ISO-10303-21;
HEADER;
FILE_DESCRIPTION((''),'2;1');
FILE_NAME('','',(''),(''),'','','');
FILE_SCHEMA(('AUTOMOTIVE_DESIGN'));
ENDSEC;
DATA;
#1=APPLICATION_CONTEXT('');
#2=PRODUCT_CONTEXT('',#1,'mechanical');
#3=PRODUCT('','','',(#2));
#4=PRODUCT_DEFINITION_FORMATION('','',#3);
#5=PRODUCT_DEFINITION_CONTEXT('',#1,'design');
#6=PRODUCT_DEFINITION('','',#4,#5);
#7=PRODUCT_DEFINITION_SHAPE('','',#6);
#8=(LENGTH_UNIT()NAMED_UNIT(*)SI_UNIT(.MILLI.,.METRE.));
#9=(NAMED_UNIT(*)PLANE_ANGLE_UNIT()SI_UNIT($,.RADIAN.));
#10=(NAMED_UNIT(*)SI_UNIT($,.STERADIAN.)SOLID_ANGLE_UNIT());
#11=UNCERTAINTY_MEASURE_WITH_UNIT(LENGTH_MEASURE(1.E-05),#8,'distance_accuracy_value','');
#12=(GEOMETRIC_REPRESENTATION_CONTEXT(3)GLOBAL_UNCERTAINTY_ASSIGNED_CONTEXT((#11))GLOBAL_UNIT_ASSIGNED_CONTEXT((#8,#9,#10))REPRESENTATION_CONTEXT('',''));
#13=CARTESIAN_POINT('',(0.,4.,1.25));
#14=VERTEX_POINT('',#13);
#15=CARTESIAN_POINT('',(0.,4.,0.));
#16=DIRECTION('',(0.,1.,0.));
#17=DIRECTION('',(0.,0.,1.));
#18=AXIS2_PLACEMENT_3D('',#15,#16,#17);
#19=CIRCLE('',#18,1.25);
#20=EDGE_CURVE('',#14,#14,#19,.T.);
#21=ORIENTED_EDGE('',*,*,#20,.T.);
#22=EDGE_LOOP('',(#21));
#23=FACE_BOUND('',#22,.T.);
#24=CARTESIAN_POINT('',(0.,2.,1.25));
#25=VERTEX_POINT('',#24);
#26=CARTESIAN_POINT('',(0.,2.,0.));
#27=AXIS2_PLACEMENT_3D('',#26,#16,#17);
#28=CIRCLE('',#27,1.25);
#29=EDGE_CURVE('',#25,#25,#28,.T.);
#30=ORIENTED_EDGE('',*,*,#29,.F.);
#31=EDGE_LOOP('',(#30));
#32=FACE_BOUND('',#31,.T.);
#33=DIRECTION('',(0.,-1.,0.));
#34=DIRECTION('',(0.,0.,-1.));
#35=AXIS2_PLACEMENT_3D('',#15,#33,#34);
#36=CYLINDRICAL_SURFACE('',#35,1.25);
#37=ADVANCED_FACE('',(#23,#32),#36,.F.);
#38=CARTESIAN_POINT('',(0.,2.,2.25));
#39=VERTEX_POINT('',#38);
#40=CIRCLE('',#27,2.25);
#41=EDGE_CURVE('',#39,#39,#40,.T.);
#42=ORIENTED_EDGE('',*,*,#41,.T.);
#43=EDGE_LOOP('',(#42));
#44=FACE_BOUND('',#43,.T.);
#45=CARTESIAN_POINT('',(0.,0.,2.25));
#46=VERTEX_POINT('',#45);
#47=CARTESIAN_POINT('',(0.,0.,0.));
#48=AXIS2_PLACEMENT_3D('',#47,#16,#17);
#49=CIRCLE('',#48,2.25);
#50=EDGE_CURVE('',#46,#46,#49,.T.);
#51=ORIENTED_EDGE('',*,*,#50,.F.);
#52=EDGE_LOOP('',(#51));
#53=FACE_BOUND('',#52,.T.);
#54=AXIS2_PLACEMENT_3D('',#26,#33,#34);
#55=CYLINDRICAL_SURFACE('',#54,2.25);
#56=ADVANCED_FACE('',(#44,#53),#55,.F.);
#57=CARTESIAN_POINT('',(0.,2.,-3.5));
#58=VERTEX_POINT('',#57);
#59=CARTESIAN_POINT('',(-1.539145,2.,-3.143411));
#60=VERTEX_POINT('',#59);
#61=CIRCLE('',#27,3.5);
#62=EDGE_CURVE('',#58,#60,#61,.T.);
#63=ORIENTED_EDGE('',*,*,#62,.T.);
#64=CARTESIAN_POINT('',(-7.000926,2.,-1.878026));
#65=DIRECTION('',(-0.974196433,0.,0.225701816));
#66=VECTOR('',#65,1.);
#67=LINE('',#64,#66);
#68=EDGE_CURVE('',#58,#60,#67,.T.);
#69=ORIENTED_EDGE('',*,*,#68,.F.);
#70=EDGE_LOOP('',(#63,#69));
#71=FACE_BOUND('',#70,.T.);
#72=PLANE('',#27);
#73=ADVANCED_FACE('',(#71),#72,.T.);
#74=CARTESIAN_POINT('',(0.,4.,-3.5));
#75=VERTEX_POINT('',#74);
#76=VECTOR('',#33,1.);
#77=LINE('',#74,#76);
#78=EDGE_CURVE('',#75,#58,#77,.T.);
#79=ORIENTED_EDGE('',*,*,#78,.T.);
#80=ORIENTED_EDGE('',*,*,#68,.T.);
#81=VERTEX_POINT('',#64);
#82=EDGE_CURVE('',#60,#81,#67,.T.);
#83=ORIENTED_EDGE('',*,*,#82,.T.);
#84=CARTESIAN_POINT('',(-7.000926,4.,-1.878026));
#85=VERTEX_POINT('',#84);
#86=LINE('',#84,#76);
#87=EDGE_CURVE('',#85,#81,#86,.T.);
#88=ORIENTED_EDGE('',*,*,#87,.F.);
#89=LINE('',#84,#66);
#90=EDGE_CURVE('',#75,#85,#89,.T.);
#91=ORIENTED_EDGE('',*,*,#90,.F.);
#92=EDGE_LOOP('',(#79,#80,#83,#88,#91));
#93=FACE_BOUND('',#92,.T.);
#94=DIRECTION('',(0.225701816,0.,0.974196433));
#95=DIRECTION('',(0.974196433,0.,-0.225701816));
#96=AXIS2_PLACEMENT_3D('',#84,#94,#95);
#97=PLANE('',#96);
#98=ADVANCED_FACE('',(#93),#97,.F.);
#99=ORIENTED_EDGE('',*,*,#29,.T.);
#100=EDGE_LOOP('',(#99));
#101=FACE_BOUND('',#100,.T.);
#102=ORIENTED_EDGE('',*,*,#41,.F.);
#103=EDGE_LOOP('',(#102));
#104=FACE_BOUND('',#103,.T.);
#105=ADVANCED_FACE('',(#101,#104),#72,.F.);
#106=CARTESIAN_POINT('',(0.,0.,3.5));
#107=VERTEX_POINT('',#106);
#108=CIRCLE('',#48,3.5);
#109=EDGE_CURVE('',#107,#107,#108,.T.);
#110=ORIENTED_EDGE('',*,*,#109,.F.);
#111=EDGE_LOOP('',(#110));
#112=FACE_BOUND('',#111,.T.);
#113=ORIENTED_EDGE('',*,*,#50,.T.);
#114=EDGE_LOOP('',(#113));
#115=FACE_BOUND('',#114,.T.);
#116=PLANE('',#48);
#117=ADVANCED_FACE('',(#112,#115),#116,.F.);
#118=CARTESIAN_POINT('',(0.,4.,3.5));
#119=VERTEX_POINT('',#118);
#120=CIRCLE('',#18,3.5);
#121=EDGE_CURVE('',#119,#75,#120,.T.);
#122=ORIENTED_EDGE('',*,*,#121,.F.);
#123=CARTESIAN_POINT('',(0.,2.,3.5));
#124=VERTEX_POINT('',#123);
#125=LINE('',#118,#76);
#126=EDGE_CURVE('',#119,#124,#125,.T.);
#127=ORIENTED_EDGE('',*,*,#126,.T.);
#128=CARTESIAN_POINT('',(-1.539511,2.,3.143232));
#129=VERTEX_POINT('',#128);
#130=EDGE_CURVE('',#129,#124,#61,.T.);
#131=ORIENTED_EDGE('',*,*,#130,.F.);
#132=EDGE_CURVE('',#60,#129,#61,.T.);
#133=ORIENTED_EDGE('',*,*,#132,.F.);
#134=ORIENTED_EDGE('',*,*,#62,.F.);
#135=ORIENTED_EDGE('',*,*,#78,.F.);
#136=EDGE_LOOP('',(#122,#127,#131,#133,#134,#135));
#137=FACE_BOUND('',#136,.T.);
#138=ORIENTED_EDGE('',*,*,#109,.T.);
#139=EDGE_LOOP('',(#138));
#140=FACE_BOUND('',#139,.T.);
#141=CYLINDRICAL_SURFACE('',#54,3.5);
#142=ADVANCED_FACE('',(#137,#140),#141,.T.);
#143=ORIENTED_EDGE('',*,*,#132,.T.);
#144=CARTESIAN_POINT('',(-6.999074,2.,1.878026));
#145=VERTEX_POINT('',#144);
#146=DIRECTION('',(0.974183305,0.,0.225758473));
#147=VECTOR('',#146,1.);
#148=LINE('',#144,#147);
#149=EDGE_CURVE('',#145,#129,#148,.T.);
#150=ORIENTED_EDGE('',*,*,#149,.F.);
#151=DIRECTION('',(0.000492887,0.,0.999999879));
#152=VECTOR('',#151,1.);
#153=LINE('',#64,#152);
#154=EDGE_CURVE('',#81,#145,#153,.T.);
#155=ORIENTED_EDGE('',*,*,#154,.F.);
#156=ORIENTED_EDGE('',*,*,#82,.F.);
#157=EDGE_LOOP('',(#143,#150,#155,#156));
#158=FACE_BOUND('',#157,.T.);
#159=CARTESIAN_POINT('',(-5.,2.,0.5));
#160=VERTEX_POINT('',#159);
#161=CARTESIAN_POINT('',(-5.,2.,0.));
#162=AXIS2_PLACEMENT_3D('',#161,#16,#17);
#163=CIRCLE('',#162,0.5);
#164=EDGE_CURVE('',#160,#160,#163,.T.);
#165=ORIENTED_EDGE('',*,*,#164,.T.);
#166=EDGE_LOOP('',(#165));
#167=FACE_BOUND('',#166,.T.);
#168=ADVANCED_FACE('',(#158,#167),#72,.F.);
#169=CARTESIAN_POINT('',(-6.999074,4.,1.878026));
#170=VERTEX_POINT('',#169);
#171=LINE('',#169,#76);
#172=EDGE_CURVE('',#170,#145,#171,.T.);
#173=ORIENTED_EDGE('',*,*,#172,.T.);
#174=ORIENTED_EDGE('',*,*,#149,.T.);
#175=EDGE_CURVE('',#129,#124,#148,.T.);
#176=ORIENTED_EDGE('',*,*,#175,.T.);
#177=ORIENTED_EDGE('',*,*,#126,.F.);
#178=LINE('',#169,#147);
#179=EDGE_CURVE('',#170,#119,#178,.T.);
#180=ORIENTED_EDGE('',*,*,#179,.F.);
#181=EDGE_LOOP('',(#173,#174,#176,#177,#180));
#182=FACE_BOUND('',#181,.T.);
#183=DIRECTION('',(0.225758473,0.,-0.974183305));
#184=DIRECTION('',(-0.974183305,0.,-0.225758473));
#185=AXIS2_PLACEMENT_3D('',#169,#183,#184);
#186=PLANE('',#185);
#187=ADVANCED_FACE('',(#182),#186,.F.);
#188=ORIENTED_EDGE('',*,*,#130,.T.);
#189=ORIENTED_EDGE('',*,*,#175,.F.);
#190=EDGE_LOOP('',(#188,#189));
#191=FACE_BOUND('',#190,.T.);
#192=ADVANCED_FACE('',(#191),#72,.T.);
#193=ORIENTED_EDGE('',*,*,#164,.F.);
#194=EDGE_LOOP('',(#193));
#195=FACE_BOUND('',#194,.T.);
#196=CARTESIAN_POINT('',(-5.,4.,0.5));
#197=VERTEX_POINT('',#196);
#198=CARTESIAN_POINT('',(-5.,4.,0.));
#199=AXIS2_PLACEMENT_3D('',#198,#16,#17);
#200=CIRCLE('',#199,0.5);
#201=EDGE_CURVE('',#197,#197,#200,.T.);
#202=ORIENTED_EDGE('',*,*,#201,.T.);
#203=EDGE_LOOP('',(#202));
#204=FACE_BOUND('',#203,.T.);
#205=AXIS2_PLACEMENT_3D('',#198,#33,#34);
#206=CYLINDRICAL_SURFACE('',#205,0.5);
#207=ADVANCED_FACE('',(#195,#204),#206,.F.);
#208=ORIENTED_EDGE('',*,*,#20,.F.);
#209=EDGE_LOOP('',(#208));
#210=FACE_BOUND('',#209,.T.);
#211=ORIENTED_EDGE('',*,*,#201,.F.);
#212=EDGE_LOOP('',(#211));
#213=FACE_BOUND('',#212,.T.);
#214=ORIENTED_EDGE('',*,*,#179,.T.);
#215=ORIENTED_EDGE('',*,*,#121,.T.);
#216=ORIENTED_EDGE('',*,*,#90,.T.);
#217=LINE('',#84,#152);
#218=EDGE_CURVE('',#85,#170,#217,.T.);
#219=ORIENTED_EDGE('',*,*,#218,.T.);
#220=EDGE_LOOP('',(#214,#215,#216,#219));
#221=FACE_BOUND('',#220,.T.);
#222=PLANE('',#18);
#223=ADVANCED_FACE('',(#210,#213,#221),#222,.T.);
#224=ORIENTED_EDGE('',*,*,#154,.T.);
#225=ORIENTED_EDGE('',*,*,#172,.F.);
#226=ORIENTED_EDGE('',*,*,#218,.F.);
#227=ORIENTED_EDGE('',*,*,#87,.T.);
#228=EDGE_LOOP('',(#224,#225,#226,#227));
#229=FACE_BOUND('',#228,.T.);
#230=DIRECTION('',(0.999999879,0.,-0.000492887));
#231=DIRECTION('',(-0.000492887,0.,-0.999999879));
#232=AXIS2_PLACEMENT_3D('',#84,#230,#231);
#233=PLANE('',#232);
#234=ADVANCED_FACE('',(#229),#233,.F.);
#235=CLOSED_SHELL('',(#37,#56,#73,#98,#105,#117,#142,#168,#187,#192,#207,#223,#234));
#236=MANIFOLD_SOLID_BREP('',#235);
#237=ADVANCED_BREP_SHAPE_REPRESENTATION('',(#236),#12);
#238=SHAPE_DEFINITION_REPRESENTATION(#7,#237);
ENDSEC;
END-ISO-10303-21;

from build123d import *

# Parameters (mm, degrees)
SKETCH1_R           = 3.5
SKETCH1_R_2         = 2.25
BOSS_EXTRUDE1_DEPTH = 2
SKETCH2_R           = 1.25
SKETCH2_R_2         = 0.5
BOSS_EXTRUDE3_DEPTH = 2


with BuildPart() as part:
    # Sketch1 → Boss-Extrude1 (new body)
    with BuildSketch(Plane(origin=(0, 0, 0), x_dir=(1, 0, 0), z_dir=(0, 1, 0))):
        Circle(SKETCH1_R)
        Circle(SKETCH1_R_2, mode=Mode.SUBTRACT)
    extrude(amount=BOSS_EXTRUDE1_DEPTH)

    # Sketch2 → Boss-Extrude3 (add)
    with BuildSketch(Plane(origin=(0, 2, 0), x_dir=(1, 0, 0), z_dir=(0, 1, 0))):
        with BuildLine():
            Line((-7.000925654, 1.878025645), (-6.999074346, -1.878025645))
            Line((-6.999074346, -1.878025645), (0, -3.5))
            ThreePointArc((0, -3.5), (3.5, 0), (0, 3.5))
            Line((0, 3.5), (-7.000925654, 1.878025645))
        make_face()
        Circle(SKETCH2_R, mode=Mode.SUBTRACT)
        with Locations((-5, 0)):
            Circle(SKETCH2_R_2, mode=Mode.SUBTRACT)
    extrude(amount=BOSS_EXTRUDE3_DEPTH)


solid = part.part
